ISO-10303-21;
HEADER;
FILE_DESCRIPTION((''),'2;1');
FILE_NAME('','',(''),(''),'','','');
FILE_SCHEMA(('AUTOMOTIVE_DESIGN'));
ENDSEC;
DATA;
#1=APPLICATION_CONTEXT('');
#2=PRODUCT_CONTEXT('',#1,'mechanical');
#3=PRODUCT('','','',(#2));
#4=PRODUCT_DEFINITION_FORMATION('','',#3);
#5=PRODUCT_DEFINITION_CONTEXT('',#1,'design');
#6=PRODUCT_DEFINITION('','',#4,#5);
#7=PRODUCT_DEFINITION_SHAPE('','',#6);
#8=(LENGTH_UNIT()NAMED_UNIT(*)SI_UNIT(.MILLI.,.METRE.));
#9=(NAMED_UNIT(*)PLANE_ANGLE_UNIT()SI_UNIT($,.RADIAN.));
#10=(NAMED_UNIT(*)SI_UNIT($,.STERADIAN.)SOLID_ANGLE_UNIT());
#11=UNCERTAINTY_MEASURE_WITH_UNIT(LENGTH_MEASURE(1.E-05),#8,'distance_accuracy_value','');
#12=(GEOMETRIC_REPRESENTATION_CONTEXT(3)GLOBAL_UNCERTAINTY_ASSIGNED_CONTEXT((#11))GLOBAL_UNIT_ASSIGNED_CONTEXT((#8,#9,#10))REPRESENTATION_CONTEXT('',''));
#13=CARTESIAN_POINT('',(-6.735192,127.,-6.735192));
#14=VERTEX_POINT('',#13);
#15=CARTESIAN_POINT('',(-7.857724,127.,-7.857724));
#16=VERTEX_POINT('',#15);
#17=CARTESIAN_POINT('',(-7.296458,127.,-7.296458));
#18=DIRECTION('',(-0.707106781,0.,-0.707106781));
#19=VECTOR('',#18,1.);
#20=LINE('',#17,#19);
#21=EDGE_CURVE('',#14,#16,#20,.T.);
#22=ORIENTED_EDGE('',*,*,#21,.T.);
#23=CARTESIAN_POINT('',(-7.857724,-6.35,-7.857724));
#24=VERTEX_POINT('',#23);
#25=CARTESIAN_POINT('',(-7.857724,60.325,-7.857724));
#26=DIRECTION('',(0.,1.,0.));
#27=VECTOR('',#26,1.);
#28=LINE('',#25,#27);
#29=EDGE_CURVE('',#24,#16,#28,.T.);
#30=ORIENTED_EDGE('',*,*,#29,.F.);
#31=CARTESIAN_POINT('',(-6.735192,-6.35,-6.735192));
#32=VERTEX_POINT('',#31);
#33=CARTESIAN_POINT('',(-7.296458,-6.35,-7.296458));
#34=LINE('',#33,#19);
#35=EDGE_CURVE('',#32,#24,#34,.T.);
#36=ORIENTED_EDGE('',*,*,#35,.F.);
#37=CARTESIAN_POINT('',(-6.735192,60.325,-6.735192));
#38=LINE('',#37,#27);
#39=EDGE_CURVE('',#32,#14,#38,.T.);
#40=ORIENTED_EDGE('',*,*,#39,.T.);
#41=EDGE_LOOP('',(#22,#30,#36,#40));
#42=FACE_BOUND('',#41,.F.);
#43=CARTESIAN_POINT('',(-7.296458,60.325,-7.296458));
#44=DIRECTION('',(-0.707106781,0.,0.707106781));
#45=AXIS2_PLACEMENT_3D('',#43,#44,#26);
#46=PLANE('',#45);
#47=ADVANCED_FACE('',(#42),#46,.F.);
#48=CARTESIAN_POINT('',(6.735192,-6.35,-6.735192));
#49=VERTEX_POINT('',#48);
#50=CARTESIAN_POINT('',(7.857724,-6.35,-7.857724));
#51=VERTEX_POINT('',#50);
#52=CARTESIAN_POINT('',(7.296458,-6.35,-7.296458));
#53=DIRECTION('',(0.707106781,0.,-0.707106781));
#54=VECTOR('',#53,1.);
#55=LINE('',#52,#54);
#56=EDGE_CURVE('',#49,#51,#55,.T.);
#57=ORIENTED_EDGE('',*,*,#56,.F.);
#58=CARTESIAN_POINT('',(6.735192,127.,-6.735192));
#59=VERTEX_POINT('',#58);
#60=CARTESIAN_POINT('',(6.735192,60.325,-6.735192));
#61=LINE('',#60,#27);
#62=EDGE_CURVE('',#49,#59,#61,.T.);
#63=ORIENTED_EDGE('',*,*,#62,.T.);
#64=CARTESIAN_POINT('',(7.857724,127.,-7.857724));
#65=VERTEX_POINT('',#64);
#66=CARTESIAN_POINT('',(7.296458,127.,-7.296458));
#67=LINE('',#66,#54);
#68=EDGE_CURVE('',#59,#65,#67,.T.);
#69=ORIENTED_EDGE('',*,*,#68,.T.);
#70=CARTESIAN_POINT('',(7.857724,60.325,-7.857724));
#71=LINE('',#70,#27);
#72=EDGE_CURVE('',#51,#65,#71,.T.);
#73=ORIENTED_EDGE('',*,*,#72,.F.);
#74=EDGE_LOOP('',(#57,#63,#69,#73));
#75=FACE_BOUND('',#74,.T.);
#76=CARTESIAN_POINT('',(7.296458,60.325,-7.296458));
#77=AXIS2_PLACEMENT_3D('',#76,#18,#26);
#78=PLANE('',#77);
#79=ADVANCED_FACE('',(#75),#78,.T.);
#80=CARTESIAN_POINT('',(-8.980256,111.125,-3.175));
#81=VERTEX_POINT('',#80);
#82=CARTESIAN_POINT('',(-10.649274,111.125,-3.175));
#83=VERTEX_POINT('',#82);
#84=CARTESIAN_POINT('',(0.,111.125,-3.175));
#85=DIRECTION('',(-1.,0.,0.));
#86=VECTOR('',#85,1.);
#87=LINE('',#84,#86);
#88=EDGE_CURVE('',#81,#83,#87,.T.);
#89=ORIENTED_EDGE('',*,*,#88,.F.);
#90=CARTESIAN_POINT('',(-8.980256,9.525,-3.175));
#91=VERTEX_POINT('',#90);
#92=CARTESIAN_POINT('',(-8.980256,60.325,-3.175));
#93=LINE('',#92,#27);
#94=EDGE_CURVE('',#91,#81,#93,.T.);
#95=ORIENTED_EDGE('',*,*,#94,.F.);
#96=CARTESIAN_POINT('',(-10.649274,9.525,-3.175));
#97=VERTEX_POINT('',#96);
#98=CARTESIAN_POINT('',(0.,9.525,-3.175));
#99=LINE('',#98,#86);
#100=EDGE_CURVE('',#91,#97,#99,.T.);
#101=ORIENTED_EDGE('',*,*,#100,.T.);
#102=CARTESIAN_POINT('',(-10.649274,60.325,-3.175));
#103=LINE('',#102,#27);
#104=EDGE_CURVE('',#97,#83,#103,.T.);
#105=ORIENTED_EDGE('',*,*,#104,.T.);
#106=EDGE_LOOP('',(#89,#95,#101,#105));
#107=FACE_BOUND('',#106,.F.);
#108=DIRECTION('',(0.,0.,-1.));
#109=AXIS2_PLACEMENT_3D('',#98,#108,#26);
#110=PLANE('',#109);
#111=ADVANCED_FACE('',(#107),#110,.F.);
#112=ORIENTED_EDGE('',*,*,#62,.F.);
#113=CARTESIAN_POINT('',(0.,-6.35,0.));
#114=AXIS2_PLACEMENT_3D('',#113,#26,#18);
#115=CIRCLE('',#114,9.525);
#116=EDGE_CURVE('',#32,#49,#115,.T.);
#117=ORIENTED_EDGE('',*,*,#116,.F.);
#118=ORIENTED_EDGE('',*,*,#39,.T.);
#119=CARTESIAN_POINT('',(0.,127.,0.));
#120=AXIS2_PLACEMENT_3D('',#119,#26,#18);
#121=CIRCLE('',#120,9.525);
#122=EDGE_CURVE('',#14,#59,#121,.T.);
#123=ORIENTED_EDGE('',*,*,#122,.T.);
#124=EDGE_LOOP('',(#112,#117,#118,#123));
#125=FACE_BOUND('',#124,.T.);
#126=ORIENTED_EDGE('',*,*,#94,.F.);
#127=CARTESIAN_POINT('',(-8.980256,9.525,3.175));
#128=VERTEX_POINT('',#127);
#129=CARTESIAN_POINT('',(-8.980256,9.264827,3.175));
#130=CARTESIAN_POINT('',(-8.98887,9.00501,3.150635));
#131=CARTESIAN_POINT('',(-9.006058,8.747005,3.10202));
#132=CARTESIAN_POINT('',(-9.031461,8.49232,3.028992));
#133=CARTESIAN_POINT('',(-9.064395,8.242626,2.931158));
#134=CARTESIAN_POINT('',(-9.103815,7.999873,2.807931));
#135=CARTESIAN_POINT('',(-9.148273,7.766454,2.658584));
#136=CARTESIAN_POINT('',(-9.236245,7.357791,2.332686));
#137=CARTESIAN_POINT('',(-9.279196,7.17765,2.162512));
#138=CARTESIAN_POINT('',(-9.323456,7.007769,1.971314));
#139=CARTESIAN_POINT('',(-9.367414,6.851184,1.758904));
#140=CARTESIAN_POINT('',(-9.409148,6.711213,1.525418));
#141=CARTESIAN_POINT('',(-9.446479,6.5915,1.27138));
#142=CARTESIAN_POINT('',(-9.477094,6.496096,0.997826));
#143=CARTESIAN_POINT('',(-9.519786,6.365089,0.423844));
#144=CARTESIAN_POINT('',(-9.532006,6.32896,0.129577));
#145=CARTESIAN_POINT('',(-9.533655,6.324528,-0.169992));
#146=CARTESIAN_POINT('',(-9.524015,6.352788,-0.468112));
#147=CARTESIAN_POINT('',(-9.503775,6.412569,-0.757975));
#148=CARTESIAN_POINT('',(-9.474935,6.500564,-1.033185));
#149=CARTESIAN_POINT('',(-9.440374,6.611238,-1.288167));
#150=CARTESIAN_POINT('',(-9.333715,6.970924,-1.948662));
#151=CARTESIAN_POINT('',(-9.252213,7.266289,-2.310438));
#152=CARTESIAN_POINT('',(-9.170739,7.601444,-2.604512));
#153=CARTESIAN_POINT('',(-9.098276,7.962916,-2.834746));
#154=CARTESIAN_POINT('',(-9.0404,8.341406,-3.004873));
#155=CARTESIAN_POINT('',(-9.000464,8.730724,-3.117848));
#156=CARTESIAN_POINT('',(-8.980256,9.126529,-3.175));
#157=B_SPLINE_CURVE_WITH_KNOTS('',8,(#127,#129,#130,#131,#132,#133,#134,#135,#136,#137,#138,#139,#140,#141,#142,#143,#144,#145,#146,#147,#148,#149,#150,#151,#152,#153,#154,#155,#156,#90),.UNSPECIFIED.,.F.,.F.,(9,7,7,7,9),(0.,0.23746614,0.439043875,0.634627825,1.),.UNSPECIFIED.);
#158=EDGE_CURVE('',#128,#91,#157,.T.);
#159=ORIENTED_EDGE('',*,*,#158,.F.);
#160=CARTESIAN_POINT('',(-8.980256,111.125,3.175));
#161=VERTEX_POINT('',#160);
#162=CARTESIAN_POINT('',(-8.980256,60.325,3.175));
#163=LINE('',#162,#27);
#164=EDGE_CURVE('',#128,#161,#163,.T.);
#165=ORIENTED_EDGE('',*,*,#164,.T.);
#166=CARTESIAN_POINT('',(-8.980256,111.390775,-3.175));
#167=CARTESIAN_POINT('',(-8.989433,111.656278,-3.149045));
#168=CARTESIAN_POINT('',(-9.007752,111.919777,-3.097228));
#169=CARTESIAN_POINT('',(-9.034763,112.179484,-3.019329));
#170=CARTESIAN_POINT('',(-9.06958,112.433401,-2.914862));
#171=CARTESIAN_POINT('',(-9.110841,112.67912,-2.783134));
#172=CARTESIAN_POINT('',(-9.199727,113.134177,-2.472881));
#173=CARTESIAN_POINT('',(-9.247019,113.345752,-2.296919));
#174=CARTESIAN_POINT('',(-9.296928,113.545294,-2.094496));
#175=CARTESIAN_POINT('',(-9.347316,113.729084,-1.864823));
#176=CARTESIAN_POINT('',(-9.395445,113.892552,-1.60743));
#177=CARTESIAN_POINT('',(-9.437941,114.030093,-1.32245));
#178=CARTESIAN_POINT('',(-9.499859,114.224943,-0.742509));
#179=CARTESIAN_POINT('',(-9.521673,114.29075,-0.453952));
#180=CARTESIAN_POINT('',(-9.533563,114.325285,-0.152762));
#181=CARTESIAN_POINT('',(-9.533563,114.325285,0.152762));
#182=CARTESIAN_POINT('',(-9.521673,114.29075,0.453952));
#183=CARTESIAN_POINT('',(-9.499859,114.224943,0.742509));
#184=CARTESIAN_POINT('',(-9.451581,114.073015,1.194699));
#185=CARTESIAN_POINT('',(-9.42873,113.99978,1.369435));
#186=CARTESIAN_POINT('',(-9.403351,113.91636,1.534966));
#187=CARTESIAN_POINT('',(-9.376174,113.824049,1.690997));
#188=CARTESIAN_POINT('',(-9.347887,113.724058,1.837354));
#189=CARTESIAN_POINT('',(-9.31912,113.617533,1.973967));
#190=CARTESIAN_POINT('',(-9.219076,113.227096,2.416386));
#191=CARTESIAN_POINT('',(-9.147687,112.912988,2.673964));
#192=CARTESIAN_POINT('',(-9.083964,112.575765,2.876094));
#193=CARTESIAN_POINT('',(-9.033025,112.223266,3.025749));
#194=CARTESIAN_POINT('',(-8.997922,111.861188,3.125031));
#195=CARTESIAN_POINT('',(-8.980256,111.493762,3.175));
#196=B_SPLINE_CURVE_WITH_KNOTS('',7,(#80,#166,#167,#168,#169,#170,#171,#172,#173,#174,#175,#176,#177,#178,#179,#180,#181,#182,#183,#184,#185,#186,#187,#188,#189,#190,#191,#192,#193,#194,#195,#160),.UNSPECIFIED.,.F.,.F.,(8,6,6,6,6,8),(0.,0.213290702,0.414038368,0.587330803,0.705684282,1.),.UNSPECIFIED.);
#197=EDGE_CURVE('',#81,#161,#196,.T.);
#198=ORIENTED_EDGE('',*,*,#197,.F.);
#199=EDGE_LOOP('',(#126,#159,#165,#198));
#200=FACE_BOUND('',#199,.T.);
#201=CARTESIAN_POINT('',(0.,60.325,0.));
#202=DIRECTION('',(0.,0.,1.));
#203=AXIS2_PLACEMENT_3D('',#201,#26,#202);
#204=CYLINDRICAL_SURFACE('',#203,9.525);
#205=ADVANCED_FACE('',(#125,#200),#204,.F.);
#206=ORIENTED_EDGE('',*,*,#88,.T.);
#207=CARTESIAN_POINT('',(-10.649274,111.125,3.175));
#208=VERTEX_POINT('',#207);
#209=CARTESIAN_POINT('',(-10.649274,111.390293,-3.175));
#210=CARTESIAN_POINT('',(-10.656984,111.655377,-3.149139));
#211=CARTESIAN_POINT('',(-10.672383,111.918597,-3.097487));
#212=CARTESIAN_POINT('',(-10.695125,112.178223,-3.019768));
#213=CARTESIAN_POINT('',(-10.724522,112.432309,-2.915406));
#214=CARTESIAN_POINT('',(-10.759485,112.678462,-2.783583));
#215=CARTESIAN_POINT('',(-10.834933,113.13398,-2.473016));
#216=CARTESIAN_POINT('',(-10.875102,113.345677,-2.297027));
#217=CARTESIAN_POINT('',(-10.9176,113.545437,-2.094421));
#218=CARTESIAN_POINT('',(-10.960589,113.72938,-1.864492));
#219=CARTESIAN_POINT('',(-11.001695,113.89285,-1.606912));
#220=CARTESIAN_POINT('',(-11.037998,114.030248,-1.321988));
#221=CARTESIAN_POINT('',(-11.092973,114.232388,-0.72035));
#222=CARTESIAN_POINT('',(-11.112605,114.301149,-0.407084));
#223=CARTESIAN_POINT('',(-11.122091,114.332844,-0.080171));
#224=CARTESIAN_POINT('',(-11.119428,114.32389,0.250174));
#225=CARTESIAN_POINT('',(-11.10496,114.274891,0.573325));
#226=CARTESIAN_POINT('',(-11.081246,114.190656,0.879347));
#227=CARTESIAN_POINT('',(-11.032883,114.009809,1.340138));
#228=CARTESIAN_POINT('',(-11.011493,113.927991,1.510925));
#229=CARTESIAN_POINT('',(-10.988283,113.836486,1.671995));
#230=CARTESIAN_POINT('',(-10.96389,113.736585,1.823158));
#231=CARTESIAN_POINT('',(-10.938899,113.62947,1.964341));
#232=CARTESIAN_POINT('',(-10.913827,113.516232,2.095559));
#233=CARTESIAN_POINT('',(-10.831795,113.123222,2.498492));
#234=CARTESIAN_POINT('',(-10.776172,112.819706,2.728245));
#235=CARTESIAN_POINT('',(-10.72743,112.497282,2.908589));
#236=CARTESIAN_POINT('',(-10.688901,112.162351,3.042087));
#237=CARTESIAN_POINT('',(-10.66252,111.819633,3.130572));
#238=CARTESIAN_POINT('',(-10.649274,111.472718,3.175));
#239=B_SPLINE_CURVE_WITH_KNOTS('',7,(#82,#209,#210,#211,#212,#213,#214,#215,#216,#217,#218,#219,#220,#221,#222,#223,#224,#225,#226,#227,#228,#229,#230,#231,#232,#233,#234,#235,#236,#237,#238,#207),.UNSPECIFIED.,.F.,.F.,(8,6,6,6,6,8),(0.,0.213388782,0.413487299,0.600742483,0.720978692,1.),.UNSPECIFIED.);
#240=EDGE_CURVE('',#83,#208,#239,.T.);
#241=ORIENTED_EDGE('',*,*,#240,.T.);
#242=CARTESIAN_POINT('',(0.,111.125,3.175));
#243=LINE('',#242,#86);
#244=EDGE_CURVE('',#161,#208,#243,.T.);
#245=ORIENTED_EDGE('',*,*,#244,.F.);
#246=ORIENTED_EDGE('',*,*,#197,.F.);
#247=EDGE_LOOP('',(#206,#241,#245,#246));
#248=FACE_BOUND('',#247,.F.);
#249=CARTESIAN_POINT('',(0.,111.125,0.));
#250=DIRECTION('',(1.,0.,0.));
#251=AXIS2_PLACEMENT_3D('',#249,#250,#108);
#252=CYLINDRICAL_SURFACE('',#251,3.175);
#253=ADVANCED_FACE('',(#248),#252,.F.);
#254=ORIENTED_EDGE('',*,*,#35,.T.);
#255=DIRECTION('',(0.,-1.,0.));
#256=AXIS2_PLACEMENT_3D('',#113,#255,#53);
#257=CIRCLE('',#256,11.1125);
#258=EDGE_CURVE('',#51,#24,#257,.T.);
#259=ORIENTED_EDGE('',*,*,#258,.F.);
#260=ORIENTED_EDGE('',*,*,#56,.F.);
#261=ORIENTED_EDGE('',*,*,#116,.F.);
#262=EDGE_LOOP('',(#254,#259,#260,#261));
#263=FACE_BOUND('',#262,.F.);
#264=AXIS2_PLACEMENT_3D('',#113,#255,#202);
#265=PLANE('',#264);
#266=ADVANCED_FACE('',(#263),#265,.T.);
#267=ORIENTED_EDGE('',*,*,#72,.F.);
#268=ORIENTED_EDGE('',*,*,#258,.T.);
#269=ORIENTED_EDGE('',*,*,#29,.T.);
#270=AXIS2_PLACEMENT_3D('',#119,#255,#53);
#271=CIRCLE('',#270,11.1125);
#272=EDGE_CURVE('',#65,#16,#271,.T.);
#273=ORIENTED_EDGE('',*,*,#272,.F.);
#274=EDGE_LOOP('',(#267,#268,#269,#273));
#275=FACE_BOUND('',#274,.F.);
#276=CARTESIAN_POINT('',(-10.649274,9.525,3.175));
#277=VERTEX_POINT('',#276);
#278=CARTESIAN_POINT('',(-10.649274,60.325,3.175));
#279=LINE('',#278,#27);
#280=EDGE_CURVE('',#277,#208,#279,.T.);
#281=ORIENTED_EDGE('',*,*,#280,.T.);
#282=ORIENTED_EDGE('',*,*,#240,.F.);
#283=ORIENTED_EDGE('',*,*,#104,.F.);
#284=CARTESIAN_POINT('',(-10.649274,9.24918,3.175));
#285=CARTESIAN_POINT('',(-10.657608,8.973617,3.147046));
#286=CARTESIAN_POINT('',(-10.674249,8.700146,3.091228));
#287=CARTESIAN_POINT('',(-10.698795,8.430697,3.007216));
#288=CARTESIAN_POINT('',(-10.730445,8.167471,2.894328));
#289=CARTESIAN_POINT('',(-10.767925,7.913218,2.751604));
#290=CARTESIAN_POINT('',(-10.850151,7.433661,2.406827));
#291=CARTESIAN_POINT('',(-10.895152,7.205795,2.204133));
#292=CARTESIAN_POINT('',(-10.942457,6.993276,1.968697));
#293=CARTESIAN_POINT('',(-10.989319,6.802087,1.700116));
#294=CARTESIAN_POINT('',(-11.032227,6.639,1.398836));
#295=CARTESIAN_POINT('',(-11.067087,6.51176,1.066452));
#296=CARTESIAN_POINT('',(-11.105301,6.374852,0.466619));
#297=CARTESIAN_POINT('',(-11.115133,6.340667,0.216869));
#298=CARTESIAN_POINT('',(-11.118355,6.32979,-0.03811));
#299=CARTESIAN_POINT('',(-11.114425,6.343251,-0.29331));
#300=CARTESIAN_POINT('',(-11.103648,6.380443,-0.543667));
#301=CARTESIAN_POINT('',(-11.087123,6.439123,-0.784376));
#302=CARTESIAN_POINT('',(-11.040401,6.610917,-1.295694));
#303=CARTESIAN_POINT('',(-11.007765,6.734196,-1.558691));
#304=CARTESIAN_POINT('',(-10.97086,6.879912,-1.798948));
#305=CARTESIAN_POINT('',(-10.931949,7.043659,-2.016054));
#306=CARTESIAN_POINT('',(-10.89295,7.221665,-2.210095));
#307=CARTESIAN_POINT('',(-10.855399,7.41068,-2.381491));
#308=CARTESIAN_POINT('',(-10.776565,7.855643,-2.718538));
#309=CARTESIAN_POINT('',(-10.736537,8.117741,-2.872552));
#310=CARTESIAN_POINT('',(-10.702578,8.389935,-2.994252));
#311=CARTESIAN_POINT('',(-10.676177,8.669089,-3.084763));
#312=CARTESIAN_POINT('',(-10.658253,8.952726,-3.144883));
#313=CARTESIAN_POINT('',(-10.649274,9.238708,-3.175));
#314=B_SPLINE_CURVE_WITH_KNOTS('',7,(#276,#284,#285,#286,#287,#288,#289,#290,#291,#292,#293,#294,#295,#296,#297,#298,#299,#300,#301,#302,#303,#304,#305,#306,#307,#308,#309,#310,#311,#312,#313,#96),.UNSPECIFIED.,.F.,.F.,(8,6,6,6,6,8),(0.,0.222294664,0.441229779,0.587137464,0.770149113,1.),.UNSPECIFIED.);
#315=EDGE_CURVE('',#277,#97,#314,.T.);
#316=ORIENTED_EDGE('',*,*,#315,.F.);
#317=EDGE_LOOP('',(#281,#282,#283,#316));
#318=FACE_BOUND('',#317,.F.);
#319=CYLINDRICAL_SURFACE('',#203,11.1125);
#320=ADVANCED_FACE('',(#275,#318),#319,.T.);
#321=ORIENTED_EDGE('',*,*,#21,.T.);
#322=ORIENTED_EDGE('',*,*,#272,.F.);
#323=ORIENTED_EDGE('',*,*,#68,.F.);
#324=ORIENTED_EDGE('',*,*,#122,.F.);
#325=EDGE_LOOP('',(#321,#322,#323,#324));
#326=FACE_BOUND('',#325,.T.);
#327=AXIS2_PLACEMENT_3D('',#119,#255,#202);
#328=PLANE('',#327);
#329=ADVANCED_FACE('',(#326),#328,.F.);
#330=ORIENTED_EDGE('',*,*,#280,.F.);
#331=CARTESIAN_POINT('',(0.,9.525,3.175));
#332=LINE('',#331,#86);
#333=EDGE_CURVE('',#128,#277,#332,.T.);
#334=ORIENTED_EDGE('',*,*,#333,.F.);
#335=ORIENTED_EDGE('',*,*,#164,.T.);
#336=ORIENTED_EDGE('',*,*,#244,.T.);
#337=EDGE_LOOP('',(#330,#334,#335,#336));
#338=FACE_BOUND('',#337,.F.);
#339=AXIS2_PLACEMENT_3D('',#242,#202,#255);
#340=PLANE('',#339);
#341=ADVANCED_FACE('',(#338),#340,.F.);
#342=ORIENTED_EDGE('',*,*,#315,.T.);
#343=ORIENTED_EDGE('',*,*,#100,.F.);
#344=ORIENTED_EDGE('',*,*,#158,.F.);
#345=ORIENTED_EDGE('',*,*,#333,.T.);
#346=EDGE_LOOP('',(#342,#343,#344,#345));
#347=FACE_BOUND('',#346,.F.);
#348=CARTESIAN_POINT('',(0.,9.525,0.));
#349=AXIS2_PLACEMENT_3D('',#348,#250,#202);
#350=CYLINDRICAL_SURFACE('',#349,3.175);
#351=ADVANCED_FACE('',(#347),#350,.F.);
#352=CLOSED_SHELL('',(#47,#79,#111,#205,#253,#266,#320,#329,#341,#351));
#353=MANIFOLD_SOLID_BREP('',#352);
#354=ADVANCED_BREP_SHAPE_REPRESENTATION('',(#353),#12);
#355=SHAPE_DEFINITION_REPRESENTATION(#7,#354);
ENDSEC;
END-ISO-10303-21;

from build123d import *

# Parameters (mm, degrees)
F0_W     = 133.35
F0_H     = 1.5875
F1_ANGLE = 270
F3_DEPTH = 25.4


with BuildPart() as f1:
    # F0 (on Right) → F1 (revolve, symmetric)
    with BuildSketch(Plane.YZ) as f1_sk:
        with Locations((60.325, 10.31875)):
            Rectangle(F0_W, F0_H)
    revolve(axis=Axis((0, 7.590322, 0), (0, 1, 0)), revolution_arc=F1_ANGLE / 2)
    revolve(f1_sk.sketch, axis=Axis((0, 7.590322, 0), (0, -1, 0)), revolution_arc=F1_ANGLE / 2)

    # F2 (on Right) → F3 (cut)
    with BuildSketch(Plane.YZ):
        with BuildLine():
            Line((111.125, 3.175), (9.525, 3.175))
            ThreePointArc((9.525, 3.175), (6.35, 0), (9.525, -3.175))
            Line((9.525, -3.175), (111.125, -3.175))
            ThreePointArc((111.125, -3.175), (114.3, 0), (111.125, 3.175))
        make_face()
    extrude(amount=-F3_DEPTH, mode=Mode.SUBTRACT)


solid = f1.part
